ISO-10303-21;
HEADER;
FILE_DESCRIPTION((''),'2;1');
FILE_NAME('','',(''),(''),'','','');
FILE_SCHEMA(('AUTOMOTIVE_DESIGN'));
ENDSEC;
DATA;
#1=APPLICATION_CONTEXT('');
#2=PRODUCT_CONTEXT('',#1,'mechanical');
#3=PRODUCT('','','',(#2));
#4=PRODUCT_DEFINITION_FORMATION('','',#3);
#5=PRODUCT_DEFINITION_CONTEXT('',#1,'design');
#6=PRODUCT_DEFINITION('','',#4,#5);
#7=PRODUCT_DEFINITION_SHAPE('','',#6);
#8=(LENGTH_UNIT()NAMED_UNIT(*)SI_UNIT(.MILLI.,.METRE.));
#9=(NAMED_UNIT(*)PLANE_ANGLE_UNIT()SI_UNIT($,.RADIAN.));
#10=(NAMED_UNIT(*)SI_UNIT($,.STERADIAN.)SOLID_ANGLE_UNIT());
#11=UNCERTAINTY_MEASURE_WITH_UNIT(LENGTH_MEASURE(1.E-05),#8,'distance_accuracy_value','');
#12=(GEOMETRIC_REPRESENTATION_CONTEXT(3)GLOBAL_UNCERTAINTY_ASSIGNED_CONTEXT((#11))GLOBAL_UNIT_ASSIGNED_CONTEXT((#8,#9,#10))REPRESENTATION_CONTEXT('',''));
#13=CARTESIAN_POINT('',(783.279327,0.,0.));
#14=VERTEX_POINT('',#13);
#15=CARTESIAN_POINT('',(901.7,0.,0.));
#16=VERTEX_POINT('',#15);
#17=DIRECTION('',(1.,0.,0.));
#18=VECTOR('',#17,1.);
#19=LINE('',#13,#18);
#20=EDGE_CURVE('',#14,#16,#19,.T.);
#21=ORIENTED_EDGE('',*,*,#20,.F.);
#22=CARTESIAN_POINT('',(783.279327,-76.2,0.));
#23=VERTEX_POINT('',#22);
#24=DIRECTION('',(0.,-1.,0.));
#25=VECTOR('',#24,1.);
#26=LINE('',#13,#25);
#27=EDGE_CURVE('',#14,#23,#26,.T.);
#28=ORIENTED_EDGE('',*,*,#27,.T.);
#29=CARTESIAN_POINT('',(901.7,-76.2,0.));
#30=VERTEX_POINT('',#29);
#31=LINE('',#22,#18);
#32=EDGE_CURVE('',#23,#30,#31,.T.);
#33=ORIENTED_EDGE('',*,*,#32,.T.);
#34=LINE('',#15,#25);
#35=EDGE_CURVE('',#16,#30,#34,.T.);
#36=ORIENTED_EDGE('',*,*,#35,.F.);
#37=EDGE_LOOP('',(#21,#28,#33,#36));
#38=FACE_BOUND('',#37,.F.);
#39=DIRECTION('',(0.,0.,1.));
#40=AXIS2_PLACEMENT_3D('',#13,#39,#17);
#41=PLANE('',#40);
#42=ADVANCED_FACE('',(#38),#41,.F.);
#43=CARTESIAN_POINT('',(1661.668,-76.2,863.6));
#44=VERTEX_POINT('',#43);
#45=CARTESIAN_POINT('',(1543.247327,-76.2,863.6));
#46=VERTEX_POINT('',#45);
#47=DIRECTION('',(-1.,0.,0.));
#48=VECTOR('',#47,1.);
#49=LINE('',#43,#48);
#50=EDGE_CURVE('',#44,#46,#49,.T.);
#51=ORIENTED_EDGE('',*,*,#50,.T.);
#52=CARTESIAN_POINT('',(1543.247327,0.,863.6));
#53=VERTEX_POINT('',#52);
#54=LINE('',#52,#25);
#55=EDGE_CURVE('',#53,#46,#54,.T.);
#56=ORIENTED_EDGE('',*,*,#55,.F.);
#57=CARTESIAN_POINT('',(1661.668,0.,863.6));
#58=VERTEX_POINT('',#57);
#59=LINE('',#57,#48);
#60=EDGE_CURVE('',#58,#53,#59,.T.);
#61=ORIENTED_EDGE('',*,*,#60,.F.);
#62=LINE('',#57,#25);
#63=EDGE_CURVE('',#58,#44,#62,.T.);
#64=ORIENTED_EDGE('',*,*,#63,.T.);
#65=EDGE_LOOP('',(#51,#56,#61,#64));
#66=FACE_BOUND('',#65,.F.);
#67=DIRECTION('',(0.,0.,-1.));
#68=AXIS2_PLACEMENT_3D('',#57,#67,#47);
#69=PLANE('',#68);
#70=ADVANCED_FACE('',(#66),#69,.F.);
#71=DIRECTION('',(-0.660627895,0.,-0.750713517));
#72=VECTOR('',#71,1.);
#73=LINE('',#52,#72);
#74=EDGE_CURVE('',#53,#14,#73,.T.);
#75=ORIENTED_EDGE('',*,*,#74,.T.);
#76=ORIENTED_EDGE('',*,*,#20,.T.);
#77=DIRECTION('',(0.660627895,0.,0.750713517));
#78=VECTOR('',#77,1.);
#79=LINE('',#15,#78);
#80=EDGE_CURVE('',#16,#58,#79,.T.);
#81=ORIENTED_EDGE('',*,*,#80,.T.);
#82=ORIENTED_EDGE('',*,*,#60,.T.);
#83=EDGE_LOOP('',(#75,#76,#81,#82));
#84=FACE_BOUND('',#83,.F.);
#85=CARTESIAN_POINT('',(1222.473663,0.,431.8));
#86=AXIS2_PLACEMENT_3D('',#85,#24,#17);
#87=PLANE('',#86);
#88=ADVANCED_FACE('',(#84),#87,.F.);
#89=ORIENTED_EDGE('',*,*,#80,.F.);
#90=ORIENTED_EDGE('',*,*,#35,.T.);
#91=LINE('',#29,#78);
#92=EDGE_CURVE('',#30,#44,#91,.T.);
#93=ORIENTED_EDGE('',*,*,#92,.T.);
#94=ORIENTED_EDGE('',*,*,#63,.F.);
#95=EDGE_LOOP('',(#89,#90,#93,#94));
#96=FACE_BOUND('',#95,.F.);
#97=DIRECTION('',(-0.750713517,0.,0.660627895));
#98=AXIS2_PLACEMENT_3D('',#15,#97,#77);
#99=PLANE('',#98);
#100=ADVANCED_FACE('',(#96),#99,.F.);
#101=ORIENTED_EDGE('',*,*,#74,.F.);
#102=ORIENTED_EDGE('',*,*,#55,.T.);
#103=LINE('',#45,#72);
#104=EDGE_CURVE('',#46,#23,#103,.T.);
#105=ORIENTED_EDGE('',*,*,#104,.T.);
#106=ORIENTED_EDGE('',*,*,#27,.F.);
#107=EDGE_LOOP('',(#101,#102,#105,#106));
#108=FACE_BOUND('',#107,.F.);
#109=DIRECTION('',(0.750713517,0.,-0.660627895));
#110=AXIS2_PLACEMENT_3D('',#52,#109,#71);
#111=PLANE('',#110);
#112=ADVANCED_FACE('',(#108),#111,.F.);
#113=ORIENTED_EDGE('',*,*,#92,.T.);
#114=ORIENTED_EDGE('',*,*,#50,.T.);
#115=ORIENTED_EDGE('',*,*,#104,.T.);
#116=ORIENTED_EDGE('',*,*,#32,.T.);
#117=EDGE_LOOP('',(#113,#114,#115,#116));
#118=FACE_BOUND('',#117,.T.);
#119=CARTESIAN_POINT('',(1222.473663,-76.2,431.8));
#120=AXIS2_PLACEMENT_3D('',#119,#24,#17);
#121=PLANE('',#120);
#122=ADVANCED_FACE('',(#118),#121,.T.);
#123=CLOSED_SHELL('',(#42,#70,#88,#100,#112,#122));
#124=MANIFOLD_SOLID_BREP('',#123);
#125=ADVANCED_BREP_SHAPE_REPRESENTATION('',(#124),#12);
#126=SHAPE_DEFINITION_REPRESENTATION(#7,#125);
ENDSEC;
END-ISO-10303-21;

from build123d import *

# Parameters (mm, degrees)
F2_DEPTH = 76.2


with BuildPart() as f2:
    # F1 (on face) → F2 (new body)
    with BuildSketch(Plane.XZ):
        Polygon((901.7, 0), (1661.668, 863.6), (1543.247327, 863.6), (783.279327, 0), align=None)
    extrude(amount=F2_DEPTH)


solid = f2.part
